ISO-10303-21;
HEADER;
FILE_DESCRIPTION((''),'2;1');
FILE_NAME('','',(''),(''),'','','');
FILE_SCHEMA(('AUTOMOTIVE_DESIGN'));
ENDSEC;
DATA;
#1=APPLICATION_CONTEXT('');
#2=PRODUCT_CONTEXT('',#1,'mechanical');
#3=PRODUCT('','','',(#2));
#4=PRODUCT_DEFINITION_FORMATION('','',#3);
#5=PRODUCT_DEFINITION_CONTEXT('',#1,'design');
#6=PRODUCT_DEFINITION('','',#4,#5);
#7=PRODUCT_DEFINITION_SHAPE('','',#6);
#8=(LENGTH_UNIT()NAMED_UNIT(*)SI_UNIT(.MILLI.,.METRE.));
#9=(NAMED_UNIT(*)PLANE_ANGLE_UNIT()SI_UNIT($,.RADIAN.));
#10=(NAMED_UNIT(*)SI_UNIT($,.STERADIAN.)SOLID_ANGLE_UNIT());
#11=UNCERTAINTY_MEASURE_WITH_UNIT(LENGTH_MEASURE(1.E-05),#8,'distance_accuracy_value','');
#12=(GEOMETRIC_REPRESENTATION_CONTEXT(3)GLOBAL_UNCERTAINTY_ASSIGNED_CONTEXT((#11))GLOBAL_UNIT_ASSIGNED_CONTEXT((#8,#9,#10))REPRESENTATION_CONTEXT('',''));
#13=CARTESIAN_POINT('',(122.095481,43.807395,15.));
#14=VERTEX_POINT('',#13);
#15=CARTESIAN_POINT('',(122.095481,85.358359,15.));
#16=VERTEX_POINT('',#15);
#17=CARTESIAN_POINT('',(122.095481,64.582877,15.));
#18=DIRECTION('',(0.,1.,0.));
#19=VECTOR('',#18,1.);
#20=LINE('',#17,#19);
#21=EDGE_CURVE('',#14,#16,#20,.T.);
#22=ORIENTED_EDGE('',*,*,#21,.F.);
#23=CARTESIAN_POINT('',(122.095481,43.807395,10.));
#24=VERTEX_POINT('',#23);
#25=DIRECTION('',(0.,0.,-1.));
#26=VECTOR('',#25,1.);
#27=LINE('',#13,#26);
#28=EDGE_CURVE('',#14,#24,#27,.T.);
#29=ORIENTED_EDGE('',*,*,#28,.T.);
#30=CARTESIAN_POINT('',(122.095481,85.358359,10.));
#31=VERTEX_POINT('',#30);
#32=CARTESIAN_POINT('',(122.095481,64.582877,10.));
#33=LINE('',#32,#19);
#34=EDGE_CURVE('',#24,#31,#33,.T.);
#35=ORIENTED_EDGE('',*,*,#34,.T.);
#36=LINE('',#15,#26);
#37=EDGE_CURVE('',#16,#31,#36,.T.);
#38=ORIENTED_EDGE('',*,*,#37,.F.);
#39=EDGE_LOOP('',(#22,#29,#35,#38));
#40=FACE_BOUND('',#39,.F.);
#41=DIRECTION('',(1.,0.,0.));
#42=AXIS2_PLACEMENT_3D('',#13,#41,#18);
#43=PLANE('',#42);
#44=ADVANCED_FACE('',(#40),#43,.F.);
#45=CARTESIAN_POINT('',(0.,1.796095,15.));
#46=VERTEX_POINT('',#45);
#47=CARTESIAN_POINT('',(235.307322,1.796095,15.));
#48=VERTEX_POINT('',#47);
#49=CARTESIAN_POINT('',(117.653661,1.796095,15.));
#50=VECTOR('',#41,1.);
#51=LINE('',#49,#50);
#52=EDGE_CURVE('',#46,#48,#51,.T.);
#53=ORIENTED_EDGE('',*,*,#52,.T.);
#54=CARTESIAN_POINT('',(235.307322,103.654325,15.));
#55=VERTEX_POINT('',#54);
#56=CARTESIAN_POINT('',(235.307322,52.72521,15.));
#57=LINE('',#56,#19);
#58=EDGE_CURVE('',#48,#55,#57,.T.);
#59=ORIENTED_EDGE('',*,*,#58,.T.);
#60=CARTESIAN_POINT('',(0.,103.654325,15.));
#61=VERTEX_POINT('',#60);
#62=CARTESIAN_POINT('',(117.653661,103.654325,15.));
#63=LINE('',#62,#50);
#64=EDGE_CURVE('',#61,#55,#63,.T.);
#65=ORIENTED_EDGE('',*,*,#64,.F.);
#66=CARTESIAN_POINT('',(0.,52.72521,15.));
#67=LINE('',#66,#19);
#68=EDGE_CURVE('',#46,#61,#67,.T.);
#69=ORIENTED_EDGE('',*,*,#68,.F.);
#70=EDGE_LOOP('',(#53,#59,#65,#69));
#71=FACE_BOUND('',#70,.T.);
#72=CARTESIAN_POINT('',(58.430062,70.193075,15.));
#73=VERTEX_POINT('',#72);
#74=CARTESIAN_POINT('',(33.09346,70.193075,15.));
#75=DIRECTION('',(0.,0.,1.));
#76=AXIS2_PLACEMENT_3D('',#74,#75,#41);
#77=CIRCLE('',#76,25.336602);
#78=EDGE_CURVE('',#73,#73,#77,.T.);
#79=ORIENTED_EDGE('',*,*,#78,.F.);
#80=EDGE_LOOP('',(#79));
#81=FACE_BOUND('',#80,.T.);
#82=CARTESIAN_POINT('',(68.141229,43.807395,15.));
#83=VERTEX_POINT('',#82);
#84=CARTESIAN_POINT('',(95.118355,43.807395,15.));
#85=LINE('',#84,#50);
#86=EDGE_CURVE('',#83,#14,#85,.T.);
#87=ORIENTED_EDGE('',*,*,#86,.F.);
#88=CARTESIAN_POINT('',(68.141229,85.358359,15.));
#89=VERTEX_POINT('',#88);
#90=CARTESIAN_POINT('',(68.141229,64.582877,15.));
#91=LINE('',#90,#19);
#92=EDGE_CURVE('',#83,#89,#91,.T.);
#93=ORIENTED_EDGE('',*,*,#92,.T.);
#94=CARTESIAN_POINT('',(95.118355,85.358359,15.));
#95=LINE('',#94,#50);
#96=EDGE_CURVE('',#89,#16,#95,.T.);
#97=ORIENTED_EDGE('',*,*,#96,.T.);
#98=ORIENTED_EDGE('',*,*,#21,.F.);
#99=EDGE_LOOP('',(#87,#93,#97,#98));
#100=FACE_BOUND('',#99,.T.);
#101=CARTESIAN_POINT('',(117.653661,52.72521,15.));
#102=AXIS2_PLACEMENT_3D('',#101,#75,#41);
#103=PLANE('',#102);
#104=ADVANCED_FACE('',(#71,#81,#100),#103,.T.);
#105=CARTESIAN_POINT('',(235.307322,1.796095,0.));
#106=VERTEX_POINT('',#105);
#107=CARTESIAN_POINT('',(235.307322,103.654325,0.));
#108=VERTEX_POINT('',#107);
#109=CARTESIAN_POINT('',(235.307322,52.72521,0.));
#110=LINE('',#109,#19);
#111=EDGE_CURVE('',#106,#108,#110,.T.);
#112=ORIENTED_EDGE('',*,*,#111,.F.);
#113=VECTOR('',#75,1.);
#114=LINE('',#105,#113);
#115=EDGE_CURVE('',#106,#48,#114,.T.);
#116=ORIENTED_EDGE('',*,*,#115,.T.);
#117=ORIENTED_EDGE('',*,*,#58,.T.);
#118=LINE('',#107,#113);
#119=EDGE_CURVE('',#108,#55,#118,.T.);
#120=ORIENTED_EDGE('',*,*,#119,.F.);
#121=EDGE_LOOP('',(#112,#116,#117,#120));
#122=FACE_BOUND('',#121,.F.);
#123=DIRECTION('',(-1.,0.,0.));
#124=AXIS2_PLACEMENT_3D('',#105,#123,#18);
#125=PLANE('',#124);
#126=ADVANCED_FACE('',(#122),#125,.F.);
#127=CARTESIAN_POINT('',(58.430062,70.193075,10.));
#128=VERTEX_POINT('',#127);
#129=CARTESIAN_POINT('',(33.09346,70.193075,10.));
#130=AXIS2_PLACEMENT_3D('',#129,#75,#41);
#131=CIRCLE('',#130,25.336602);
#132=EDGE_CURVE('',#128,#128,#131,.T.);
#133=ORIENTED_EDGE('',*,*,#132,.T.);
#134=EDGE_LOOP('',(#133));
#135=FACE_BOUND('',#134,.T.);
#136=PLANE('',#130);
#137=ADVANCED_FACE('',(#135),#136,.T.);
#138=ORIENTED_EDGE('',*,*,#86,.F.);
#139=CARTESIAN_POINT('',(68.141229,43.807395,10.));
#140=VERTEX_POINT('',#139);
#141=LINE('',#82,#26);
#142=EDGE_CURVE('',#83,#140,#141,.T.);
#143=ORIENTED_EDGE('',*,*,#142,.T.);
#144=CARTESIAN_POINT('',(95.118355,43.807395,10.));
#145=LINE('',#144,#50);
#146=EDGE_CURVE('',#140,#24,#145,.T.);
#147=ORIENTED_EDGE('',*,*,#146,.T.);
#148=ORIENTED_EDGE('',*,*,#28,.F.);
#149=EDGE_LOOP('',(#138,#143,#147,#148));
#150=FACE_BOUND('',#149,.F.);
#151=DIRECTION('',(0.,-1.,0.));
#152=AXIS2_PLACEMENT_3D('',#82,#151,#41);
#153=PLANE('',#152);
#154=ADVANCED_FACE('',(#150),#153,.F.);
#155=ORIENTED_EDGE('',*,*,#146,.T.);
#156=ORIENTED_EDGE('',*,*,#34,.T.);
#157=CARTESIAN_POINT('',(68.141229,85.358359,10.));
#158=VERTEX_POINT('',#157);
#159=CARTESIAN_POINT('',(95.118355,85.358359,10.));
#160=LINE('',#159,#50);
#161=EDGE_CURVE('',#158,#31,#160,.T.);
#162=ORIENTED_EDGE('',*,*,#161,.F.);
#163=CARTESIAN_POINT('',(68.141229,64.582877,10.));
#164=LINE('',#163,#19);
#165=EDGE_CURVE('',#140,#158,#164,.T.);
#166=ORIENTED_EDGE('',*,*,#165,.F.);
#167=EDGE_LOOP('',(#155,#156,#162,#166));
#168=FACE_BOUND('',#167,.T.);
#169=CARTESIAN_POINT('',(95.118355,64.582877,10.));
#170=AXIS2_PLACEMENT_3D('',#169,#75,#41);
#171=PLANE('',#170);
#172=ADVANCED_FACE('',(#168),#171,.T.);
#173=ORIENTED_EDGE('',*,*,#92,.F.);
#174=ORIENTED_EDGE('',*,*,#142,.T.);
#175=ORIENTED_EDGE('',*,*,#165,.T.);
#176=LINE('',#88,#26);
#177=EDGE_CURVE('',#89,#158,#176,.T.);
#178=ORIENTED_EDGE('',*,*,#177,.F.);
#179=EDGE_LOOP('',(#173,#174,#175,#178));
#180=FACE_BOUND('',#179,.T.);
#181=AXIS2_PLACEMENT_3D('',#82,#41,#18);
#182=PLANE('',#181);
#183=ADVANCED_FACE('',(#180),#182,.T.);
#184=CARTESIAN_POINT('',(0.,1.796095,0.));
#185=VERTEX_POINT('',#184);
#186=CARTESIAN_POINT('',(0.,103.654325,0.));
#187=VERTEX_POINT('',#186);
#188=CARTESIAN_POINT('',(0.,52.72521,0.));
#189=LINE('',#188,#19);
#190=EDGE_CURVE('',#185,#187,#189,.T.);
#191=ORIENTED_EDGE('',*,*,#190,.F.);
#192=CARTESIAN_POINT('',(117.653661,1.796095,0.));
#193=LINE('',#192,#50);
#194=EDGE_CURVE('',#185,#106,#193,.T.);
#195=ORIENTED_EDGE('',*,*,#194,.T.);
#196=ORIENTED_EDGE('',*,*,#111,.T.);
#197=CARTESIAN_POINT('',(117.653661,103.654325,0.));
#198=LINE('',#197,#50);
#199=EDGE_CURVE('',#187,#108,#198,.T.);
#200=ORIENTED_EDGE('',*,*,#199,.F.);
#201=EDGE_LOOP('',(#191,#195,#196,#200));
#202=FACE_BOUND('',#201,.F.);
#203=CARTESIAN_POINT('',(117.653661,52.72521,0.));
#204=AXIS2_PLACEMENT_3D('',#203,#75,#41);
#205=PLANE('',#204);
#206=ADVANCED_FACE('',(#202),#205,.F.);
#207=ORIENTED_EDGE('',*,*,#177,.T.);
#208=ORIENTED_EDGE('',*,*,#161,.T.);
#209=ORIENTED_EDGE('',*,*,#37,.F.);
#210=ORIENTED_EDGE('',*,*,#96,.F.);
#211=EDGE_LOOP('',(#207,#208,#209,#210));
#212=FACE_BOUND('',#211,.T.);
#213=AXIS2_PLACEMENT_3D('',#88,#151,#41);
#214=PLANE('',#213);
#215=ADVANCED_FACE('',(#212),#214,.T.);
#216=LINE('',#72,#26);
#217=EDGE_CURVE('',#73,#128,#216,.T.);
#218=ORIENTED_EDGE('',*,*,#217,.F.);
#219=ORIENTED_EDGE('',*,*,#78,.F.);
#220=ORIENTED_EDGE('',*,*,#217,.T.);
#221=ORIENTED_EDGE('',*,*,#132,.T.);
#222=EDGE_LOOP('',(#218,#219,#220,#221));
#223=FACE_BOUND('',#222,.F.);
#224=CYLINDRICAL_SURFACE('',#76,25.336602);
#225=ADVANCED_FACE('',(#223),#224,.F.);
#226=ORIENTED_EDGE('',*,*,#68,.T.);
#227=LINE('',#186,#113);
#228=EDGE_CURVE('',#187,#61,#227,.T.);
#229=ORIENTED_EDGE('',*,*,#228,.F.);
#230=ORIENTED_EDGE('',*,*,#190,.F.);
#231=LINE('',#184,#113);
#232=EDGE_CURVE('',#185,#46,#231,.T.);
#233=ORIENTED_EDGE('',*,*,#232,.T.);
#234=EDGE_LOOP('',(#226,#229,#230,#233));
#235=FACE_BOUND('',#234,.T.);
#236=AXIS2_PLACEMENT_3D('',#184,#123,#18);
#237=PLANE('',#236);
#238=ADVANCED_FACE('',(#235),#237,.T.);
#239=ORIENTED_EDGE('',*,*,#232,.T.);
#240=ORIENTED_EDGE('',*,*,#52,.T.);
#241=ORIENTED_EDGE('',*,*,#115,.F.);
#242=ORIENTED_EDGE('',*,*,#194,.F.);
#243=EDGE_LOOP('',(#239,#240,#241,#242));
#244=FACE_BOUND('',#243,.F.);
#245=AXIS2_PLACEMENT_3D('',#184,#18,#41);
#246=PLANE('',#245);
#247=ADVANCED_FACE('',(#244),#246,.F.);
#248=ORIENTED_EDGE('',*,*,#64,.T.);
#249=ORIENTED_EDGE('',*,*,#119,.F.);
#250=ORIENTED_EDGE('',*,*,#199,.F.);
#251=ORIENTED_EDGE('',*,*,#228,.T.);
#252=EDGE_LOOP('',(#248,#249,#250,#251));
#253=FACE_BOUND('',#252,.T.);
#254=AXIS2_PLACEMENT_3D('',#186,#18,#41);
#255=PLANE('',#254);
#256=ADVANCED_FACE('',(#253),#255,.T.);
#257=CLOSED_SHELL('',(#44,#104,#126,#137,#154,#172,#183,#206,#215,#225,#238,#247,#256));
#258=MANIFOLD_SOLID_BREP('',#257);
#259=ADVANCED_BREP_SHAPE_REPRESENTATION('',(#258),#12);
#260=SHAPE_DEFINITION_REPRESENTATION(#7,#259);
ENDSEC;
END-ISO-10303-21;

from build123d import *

# Parameters (mm, degrees)
F0_W     = 235.307321
F0_H     = 101.85823
F1_DEPTH = 15
F2_R     = 25.336602
F3_DEPTH = 5
F4_W     = 53.954252
F4_H     = 41.550964
F5_DEPTH = 5


with BuildPart() as f1:
    # F0 (on Top) → F1 (new body)
    with BuildSketch(Plane.XY):
        with Locations((117.653661, 52.72521)):
            Rectangle(F0_W, F0_H)
    extrude(amount=F1_DEPTH)

    # F2 (on face) → F3 (cut)
    with BuildSketch(Plane.XY.offset(15)):
        with Locations((33.09346, 70.193075)):
            Circle(F2_R)
    extrude(amount=-F3_DEPTH, mode=Mode.SUBTRACT)

    # F4 (on face) → F5 (cut)
    with BuildSketch(Plane.XY.offset(15)):
        with Locations((95.118355, 64.582877)):
            Rectangle(F4_W, F4_H)
    extrude(amount=-F5_DEPTH, mode=Mode.SUBTRACT)


solid = f1.part
